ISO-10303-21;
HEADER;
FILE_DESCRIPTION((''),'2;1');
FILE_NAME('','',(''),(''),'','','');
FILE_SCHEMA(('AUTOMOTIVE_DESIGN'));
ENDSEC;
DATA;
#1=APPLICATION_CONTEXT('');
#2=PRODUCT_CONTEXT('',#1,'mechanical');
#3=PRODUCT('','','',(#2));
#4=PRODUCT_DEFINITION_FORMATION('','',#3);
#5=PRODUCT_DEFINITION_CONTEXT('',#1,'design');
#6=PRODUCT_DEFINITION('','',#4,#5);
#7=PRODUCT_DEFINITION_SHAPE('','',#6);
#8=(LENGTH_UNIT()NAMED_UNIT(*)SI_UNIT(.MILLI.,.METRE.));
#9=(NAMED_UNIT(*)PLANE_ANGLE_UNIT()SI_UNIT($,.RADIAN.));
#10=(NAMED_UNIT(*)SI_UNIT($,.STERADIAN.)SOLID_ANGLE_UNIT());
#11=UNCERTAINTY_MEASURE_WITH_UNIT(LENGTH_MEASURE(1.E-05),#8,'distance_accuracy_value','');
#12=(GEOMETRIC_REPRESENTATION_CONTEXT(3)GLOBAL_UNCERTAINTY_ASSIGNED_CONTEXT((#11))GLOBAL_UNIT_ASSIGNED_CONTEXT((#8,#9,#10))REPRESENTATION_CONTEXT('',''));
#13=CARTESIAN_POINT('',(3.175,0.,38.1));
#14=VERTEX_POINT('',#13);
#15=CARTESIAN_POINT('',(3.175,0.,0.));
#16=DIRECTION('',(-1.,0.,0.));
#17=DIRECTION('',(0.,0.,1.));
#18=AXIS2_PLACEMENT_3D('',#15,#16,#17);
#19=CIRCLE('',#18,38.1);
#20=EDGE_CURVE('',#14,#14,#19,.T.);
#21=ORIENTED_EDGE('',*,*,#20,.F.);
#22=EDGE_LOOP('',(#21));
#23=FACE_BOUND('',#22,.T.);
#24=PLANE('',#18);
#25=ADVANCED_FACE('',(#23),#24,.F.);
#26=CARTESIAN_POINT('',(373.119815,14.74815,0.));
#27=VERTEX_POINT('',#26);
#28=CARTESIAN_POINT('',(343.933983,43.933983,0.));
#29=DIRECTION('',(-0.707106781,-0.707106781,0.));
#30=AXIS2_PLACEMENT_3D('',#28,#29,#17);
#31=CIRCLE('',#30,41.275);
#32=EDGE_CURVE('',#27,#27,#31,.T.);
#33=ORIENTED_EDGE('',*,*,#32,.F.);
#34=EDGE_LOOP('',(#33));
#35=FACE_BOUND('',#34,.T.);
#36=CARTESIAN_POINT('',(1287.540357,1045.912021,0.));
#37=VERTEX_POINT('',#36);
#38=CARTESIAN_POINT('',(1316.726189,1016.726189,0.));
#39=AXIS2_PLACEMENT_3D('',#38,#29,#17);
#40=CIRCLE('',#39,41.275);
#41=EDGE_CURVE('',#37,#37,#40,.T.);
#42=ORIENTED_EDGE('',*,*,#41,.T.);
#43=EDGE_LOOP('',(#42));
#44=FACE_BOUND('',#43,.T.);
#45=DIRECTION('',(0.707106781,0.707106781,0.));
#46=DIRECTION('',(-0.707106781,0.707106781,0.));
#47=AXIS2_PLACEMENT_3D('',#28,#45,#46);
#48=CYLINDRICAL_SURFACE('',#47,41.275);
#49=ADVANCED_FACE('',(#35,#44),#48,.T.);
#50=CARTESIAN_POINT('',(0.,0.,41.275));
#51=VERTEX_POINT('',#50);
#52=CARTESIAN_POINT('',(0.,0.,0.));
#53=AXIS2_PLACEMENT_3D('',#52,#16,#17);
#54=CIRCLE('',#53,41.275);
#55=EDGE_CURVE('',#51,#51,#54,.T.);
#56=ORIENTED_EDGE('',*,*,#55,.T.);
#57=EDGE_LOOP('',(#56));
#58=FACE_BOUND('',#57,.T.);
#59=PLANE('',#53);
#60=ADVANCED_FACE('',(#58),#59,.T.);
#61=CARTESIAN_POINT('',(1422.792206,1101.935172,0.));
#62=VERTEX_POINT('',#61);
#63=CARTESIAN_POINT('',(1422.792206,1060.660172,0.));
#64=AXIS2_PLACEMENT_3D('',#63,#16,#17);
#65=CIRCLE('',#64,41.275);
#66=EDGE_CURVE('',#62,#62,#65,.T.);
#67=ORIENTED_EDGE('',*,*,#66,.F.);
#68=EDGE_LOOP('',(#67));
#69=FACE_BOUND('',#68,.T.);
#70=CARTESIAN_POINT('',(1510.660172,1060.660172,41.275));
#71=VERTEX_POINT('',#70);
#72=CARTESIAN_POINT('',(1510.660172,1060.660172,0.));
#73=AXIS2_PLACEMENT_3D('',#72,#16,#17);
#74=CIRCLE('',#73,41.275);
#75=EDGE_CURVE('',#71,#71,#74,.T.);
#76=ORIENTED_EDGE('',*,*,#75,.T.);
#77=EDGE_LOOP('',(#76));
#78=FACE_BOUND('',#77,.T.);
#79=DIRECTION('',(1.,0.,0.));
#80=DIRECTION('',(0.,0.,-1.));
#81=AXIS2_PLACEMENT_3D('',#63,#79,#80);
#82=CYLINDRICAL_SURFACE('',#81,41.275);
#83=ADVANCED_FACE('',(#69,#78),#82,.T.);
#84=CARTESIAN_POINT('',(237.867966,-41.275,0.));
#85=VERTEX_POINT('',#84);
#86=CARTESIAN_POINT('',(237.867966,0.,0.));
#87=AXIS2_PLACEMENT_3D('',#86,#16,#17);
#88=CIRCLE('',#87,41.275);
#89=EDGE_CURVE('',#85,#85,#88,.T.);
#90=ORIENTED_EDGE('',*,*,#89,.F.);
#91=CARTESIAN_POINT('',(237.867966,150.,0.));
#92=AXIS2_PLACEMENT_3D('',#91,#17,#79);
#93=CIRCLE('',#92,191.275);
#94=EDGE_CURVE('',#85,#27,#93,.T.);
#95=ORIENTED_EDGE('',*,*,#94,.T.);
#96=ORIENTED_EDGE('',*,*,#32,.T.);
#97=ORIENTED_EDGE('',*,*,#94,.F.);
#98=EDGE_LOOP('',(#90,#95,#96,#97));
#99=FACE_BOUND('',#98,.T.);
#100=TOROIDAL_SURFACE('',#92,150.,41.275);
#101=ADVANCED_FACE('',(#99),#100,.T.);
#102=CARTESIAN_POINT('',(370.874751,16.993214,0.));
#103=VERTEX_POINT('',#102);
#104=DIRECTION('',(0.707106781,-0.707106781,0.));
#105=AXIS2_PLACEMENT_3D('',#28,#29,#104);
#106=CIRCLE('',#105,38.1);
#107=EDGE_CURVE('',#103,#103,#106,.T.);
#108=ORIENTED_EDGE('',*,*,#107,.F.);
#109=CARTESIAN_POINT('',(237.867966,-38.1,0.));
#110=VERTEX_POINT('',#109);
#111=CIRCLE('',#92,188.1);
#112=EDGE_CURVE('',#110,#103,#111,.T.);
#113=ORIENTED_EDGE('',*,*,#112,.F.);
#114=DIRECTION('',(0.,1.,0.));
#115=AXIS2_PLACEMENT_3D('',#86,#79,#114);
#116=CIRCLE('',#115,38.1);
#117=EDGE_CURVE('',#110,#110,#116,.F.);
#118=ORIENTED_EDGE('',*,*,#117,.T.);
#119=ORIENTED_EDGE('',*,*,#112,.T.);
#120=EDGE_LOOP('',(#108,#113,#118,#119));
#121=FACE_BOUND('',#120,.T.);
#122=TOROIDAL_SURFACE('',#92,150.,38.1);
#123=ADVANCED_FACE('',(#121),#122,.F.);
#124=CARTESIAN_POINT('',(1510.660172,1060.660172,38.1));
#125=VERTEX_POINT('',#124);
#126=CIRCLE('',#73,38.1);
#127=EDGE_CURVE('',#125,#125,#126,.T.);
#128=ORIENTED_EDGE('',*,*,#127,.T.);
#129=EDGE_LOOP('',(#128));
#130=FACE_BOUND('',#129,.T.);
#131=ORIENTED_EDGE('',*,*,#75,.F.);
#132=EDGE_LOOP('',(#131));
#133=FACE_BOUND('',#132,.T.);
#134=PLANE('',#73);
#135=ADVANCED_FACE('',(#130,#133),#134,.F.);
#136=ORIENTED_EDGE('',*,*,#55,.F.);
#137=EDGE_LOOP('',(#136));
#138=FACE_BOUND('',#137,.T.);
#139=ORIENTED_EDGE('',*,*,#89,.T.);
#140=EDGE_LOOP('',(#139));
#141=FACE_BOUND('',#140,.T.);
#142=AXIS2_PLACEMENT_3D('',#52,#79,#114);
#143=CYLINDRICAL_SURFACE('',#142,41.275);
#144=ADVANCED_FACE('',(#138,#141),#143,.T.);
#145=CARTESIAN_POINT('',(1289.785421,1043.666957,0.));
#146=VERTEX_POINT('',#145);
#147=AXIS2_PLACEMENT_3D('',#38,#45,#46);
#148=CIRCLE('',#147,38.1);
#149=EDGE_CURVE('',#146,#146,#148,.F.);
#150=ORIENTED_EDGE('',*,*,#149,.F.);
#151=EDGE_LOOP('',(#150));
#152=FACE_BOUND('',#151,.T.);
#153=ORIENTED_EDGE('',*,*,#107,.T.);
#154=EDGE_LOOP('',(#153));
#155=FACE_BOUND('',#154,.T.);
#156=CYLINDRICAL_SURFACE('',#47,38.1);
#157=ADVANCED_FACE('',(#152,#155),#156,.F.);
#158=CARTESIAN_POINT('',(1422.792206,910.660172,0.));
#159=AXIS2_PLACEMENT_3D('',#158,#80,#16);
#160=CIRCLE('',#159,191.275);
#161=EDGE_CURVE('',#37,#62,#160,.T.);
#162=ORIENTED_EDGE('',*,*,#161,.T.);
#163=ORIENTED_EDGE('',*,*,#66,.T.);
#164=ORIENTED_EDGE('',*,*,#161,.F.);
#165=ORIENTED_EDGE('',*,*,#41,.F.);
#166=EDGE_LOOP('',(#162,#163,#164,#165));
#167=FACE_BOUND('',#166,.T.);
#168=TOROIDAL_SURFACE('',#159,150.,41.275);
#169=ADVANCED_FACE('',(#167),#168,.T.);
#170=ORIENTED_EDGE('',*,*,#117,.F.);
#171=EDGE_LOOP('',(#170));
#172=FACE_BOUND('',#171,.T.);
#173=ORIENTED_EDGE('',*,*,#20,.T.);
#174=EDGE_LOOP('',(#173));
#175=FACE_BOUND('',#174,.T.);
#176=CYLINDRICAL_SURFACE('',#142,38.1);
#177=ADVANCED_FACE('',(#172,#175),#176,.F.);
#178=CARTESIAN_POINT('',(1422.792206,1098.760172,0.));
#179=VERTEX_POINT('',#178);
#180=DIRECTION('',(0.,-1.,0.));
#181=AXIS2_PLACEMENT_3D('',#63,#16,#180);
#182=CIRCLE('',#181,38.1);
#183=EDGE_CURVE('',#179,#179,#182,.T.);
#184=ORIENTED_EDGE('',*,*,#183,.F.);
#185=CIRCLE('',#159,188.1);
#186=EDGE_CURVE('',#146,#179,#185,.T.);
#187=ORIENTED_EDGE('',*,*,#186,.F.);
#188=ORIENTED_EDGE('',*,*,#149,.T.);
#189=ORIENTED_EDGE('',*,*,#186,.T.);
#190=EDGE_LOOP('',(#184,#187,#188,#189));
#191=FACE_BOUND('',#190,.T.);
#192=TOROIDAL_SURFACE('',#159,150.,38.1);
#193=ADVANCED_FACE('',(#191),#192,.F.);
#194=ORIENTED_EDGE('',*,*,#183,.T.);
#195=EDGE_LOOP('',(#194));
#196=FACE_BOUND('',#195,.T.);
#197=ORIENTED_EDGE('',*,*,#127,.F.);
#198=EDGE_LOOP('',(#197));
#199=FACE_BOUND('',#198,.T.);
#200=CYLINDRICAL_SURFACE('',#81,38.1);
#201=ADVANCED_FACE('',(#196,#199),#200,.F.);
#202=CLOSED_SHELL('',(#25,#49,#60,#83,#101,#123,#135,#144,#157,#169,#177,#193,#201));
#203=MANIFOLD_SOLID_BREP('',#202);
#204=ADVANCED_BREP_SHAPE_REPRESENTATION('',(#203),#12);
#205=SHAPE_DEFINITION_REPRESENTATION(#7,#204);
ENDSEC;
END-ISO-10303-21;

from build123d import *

# Parameters (mm, degrees)
BARRER2_PROFILE_R = 41.275
VACIADO1_T        = -3.175


with BuildPart() as part:
    # Barrer2: sweep along a path in Croquis1
    with BuildLine(Plane.XY) as barrer2_path:
        Line((0, 0), (237.867965644, 0))
        ThreePointArc((237.867965644, 0), (295.270480499, 11.418070123), (343.933982822, 43.933982822))
        Line((343.933982822, 43.933982822), (1316.726188958, 1016.726188958))
        ThreePointArc((1316.726188958, 1016.726188958), (1365.389691281, 1049.242101657), (1422.792206136, 1060.66017178))
        Line((1422.792206136, 1060.66017178), (1510.66017178, 1060.66017178))
    # Barrer2 profile (on start of the path) → Barrer2 (sweep)
    with BuildSketch(Plane.YZ):
        Circle(BARRER2_PROFILE_R)
    sweep(path=barrer2_path.line)

    # Vaciado1
    vaciado1_openings = [part.faces().sort_by_distance(p)[0] for p in [
        (1510.66017178, 1060.66017178, 0),
    ]]
    offset(amount=VACIADO1_T, openings=vaciado1_openings, kind=Kind.INTERSECTION)


solid = part.part
